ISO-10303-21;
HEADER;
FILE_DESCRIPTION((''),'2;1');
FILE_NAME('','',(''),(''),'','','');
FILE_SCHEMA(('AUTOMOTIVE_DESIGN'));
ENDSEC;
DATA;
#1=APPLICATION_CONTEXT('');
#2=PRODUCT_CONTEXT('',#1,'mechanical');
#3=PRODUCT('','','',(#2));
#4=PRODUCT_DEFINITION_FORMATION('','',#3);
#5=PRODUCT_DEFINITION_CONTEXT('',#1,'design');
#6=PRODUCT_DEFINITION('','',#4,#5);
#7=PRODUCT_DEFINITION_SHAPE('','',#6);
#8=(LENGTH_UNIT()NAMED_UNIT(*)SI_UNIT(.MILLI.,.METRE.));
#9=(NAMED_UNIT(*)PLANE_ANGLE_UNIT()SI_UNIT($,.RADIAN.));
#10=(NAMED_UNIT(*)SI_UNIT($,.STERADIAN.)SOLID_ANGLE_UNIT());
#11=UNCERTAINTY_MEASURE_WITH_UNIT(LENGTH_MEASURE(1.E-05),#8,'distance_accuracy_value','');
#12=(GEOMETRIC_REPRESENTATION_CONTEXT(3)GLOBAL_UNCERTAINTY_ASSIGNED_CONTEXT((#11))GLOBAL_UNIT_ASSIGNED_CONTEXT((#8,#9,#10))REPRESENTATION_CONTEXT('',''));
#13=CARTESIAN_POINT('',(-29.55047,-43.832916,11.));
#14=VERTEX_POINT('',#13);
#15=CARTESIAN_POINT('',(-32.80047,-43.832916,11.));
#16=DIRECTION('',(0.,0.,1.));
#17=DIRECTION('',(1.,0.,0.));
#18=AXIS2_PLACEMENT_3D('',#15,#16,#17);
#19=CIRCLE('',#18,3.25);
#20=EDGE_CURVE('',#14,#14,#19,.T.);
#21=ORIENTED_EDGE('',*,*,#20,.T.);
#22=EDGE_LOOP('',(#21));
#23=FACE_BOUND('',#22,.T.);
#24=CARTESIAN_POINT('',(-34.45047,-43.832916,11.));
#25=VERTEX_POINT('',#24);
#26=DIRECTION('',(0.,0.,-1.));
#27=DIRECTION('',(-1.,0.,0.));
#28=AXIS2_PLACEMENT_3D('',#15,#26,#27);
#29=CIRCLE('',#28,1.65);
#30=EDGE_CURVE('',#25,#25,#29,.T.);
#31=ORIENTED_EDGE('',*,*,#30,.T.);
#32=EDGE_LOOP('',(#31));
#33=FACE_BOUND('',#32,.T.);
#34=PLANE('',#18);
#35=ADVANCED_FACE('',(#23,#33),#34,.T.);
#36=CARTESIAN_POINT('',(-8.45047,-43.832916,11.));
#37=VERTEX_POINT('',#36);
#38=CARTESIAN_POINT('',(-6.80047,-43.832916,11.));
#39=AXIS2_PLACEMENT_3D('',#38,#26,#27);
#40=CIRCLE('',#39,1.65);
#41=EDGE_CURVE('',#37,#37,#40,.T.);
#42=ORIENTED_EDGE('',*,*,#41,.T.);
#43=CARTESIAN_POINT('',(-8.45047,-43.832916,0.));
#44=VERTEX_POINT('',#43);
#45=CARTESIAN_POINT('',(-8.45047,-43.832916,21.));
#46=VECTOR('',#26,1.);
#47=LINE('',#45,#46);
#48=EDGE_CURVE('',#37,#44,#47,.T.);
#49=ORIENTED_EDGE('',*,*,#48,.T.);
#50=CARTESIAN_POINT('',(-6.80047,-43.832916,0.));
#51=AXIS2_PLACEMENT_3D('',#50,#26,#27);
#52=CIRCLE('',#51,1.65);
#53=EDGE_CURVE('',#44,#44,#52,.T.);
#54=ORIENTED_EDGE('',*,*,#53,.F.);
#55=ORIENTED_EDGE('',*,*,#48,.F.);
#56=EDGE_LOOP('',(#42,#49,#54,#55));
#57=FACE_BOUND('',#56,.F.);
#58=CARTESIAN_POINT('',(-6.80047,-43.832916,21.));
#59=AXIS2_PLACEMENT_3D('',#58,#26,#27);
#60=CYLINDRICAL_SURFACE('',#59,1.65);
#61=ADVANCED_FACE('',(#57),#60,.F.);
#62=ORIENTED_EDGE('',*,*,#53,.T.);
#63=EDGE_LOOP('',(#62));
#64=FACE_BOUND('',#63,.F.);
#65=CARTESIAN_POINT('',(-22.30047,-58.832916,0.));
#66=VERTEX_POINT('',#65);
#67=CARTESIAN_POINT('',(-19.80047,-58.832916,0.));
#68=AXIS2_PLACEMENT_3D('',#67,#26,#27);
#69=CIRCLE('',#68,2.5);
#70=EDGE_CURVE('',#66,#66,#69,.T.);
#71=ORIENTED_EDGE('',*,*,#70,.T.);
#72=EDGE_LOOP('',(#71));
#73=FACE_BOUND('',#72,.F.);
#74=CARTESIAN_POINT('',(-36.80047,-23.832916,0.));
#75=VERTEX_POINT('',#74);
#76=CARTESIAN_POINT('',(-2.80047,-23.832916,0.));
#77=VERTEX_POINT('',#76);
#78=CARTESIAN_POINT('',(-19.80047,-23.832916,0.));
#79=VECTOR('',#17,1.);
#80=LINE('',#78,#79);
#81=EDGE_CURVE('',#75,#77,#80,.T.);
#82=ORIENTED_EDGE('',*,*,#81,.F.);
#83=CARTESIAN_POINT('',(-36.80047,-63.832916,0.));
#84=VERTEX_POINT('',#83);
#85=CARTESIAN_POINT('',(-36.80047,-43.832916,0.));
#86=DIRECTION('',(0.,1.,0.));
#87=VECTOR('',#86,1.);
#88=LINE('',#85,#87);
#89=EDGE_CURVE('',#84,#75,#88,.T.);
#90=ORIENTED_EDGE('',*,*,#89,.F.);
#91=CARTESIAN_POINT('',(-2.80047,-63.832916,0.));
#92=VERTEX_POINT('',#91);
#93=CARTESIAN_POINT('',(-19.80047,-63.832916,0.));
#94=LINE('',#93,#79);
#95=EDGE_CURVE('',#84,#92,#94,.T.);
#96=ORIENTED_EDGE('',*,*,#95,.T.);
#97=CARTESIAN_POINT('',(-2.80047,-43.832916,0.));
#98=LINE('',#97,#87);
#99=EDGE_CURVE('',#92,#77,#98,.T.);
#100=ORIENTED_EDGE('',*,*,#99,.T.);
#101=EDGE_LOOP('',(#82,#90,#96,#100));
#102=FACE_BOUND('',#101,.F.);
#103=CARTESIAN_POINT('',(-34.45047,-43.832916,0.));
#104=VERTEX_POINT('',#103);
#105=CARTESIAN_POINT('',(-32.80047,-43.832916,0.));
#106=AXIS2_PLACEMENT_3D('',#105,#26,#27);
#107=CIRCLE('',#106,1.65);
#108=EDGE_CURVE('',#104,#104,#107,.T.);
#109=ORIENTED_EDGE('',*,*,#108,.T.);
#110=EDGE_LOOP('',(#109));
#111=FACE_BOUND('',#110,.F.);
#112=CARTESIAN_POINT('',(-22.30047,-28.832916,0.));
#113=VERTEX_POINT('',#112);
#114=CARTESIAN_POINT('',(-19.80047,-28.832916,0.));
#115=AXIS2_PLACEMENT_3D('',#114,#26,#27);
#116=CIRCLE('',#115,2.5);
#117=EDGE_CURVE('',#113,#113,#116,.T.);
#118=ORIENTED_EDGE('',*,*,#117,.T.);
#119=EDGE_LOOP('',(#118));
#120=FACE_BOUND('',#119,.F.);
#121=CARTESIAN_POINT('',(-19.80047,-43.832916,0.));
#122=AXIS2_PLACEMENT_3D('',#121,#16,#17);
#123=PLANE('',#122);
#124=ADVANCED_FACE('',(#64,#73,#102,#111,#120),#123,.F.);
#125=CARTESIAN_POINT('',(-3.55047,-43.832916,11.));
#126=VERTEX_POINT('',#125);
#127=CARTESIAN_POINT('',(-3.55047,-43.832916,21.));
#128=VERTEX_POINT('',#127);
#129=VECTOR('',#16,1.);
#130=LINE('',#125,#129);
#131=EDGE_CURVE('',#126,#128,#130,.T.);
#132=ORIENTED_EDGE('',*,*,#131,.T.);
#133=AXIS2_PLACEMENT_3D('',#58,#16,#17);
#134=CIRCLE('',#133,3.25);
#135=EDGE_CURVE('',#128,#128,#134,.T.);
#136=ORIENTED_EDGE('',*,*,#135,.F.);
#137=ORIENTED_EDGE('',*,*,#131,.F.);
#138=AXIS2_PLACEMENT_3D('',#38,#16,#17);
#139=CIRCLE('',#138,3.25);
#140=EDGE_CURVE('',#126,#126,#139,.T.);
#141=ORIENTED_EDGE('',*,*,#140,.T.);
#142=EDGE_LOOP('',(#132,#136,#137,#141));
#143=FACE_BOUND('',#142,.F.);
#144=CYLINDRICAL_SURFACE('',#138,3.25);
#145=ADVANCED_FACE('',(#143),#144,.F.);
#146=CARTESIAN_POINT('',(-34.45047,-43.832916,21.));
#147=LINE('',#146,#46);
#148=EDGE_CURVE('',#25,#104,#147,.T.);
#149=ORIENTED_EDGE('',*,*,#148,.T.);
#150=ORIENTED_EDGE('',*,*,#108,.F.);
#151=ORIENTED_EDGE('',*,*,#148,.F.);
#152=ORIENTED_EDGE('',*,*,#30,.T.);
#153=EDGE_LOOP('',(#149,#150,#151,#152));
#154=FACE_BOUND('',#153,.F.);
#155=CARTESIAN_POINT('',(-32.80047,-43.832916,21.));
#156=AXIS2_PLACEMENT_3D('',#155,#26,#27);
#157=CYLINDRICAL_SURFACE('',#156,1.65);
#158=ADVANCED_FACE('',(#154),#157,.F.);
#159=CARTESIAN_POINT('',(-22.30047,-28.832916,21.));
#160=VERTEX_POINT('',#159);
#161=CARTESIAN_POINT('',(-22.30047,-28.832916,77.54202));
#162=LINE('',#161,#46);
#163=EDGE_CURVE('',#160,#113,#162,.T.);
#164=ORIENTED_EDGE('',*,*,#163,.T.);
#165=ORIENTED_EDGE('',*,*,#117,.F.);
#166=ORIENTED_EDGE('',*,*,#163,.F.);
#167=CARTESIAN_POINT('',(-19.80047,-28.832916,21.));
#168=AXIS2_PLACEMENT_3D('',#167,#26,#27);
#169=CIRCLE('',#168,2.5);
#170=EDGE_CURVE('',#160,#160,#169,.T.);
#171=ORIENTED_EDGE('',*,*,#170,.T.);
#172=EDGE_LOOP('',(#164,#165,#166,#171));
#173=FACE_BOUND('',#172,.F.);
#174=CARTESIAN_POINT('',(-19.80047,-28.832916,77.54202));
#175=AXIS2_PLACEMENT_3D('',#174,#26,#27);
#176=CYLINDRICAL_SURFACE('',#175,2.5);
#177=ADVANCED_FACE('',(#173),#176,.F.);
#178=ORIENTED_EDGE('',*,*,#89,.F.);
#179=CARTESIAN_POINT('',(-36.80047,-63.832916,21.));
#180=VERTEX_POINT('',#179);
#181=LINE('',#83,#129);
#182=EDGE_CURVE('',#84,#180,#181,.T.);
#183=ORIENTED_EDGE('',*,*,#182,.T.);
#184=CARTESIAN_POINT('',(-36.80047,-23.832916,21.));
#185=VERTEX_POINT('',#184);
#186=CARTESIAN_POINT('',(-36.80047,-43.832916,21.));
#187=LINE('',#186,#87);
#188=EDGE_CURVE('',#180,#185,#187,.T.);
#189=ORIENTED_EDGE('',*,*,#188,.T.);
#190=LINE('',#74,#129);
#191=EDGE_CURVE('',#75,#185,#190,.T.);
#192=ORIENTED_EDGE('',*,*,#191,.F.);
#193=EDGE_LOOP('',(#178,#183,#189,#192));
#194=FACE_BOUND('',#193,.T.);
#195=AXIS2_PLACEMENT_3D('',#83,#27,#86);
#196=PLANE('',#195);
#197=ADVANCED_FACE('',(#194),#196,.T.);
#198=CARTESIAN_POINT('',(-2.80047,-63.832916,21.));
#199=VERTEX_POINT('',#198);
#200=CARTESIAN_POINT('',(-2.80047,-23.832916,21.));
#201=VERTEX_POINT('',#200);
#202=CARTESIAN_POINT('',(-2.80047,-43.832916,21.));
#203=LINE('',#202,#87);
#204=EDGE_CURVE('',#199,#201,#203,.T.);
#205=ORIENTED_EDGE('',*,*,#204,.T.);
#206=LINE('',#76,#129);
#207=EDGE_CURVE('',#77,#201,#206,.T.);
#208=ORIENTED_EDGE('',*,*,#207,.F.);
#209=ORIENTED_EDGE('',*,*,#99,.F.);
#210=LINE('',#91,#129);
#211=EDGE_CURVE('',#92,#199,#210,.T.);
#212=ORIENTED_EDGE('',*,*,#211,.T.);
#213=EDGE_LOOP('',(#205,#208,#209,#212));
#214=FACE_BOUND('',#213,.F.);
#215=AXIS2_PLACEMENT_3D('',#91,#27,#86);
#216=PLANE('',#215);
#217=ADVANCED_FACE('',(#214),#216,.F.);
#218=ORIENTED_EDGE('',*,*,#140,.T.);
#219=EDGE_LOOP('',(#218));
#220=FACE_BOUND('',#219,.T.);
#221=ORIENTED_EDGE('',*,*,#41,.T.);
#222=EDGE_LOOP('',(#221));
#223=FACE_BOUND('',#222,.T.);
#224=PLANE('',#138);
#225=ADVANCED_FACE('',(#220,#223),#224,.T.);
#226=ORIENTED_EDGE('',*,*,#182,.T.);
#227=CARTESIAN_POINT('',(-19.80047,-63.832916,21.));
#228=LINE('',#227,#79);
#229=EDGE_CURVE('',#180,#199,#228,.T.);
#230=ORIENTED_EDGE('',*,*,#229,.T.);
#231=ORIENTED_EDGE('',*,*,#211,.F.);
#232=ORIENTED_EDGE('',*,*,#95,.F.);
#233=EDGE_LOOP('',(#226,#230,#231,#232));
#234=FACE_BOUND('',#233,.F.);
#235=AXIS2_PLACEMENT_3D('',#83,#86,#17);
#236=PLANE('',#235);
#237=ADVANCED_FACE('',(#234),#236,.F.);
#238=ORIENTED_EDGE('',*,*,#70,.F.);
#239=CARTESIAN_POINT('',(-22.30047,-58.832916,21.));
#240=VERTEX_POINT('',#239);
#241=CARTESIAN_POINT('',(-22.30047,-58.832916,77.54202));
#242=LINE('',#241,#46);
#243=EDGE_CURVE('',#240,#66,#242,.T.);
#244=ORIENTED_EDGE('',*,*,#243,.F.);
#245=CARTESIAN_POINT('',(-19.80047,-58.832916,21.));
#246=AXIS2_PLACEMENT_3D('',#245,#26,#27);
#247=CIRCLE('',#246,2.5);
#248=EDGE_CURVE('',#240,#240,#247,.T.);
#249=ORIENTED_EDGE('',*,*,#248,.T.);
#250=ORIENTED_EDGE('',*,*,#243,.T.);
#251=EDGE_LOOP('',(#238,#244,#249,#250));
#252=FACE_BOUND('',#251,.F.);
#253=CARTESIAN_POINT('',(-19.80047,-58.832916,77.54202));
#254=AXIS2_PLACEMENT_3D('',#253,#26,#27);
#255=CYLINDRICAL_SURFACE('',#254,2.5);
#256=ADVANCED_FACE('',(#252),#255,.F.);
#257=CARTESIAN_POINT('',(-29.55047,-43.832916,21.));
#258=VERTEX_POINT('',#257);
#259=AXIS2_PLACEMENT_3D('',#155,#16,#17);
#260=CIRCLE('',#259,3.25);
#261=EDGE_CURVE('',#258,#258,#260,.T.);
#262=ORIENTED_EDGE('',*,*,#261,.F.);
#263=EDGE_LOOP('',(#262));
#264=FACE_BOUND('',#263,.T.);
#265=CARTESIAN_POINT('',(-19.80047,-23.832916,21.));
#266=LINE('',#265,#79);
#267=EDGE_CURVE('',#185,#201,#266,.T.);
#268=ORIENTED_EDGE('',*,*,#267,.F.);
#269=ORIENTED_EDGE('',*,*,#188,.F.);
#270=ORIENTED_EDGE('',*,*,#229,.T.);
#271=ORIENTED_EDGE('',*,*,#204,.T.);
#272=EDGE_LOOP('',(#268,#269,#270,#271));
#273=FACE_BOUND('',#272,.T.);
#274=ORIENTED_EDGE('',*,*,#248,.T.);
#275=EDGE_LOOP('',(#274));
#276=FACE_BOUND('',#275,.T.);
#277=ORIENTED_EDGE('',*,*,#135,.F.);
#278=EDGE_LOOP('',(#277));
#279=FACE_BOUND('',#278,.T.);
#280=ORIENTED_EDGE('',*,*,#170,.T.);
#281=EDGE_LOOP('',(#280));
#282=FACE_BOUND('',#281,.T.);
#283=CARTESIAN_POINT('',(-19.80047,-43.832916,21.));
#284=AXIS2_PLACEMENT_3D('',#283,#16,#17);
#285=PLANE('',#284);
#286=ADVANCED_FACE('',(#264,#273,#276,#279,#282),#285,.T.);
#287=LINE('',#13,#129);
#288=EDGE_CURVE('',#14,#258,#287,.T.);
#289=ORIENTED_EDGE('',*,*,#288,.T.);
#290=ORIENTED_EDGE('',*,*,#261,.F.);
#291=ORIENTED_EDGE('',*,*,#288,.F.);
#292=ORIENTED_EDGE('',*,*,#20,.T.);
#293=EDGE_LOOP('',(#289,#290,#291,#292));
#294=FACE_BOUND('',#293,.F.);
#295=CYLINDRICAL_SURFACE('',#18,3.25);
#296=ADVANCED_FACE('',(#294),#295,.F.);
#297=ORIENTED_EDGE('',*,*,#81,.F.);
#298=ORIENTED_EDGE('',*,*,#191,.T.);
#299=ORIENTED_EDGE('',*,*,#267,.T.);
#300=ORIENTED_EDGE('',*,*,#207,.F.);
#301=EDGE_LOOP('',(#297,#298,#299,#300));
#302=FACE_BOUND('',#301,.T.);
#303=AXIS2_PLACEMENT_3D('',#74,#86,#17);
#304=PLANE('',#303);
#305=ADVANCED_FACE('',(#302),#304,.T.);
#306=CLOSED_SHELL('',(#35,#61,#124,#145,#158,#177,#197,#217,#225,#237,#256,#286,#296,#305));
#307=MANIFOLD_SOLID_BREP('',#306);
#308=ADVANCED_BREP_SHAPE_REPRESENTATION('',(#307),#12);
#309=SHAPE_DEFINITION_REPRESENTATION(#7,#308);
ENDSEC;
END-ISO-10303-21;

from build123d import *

# Parameters (mm, degrees)
F0_W           = 34
F0_H           = 40
F1_DEPTH       = 21
F3_D           = 3.3
F3_CBORE_D     = 6.5
F3_CBORE_DEPTH = 10
F4_D           = 5


with BuildPart() as f1:
    # F0 (on Top) → F1 (new body)
    with BuildSketch(Plane.XY):
        with Locations((-19.8004702032, -43.8329163194)):
            Rectangle(F0_W, F0_H)
    extrude(amount=F1_DEPTH)

    # F3 (through all)
    with Locations(Plane.XY.offset(21)):
        with Locations((-32.8004702032, -43.8329163194), (-6.8004702032, -43.8329163194)):
            CounterBoreHole(F3_D / 2, F3_CBORE_D / 2, F3_CBORE_DEPTH)

    # F4 (through all)
    with Locations(Plane.XY.offset(21)):
        with Locations((-19.8004702032, -28.8329163194), (-19.8004702032, -58.8329163194)):
            Hole(F4_D / 2)


solid = f1.part
